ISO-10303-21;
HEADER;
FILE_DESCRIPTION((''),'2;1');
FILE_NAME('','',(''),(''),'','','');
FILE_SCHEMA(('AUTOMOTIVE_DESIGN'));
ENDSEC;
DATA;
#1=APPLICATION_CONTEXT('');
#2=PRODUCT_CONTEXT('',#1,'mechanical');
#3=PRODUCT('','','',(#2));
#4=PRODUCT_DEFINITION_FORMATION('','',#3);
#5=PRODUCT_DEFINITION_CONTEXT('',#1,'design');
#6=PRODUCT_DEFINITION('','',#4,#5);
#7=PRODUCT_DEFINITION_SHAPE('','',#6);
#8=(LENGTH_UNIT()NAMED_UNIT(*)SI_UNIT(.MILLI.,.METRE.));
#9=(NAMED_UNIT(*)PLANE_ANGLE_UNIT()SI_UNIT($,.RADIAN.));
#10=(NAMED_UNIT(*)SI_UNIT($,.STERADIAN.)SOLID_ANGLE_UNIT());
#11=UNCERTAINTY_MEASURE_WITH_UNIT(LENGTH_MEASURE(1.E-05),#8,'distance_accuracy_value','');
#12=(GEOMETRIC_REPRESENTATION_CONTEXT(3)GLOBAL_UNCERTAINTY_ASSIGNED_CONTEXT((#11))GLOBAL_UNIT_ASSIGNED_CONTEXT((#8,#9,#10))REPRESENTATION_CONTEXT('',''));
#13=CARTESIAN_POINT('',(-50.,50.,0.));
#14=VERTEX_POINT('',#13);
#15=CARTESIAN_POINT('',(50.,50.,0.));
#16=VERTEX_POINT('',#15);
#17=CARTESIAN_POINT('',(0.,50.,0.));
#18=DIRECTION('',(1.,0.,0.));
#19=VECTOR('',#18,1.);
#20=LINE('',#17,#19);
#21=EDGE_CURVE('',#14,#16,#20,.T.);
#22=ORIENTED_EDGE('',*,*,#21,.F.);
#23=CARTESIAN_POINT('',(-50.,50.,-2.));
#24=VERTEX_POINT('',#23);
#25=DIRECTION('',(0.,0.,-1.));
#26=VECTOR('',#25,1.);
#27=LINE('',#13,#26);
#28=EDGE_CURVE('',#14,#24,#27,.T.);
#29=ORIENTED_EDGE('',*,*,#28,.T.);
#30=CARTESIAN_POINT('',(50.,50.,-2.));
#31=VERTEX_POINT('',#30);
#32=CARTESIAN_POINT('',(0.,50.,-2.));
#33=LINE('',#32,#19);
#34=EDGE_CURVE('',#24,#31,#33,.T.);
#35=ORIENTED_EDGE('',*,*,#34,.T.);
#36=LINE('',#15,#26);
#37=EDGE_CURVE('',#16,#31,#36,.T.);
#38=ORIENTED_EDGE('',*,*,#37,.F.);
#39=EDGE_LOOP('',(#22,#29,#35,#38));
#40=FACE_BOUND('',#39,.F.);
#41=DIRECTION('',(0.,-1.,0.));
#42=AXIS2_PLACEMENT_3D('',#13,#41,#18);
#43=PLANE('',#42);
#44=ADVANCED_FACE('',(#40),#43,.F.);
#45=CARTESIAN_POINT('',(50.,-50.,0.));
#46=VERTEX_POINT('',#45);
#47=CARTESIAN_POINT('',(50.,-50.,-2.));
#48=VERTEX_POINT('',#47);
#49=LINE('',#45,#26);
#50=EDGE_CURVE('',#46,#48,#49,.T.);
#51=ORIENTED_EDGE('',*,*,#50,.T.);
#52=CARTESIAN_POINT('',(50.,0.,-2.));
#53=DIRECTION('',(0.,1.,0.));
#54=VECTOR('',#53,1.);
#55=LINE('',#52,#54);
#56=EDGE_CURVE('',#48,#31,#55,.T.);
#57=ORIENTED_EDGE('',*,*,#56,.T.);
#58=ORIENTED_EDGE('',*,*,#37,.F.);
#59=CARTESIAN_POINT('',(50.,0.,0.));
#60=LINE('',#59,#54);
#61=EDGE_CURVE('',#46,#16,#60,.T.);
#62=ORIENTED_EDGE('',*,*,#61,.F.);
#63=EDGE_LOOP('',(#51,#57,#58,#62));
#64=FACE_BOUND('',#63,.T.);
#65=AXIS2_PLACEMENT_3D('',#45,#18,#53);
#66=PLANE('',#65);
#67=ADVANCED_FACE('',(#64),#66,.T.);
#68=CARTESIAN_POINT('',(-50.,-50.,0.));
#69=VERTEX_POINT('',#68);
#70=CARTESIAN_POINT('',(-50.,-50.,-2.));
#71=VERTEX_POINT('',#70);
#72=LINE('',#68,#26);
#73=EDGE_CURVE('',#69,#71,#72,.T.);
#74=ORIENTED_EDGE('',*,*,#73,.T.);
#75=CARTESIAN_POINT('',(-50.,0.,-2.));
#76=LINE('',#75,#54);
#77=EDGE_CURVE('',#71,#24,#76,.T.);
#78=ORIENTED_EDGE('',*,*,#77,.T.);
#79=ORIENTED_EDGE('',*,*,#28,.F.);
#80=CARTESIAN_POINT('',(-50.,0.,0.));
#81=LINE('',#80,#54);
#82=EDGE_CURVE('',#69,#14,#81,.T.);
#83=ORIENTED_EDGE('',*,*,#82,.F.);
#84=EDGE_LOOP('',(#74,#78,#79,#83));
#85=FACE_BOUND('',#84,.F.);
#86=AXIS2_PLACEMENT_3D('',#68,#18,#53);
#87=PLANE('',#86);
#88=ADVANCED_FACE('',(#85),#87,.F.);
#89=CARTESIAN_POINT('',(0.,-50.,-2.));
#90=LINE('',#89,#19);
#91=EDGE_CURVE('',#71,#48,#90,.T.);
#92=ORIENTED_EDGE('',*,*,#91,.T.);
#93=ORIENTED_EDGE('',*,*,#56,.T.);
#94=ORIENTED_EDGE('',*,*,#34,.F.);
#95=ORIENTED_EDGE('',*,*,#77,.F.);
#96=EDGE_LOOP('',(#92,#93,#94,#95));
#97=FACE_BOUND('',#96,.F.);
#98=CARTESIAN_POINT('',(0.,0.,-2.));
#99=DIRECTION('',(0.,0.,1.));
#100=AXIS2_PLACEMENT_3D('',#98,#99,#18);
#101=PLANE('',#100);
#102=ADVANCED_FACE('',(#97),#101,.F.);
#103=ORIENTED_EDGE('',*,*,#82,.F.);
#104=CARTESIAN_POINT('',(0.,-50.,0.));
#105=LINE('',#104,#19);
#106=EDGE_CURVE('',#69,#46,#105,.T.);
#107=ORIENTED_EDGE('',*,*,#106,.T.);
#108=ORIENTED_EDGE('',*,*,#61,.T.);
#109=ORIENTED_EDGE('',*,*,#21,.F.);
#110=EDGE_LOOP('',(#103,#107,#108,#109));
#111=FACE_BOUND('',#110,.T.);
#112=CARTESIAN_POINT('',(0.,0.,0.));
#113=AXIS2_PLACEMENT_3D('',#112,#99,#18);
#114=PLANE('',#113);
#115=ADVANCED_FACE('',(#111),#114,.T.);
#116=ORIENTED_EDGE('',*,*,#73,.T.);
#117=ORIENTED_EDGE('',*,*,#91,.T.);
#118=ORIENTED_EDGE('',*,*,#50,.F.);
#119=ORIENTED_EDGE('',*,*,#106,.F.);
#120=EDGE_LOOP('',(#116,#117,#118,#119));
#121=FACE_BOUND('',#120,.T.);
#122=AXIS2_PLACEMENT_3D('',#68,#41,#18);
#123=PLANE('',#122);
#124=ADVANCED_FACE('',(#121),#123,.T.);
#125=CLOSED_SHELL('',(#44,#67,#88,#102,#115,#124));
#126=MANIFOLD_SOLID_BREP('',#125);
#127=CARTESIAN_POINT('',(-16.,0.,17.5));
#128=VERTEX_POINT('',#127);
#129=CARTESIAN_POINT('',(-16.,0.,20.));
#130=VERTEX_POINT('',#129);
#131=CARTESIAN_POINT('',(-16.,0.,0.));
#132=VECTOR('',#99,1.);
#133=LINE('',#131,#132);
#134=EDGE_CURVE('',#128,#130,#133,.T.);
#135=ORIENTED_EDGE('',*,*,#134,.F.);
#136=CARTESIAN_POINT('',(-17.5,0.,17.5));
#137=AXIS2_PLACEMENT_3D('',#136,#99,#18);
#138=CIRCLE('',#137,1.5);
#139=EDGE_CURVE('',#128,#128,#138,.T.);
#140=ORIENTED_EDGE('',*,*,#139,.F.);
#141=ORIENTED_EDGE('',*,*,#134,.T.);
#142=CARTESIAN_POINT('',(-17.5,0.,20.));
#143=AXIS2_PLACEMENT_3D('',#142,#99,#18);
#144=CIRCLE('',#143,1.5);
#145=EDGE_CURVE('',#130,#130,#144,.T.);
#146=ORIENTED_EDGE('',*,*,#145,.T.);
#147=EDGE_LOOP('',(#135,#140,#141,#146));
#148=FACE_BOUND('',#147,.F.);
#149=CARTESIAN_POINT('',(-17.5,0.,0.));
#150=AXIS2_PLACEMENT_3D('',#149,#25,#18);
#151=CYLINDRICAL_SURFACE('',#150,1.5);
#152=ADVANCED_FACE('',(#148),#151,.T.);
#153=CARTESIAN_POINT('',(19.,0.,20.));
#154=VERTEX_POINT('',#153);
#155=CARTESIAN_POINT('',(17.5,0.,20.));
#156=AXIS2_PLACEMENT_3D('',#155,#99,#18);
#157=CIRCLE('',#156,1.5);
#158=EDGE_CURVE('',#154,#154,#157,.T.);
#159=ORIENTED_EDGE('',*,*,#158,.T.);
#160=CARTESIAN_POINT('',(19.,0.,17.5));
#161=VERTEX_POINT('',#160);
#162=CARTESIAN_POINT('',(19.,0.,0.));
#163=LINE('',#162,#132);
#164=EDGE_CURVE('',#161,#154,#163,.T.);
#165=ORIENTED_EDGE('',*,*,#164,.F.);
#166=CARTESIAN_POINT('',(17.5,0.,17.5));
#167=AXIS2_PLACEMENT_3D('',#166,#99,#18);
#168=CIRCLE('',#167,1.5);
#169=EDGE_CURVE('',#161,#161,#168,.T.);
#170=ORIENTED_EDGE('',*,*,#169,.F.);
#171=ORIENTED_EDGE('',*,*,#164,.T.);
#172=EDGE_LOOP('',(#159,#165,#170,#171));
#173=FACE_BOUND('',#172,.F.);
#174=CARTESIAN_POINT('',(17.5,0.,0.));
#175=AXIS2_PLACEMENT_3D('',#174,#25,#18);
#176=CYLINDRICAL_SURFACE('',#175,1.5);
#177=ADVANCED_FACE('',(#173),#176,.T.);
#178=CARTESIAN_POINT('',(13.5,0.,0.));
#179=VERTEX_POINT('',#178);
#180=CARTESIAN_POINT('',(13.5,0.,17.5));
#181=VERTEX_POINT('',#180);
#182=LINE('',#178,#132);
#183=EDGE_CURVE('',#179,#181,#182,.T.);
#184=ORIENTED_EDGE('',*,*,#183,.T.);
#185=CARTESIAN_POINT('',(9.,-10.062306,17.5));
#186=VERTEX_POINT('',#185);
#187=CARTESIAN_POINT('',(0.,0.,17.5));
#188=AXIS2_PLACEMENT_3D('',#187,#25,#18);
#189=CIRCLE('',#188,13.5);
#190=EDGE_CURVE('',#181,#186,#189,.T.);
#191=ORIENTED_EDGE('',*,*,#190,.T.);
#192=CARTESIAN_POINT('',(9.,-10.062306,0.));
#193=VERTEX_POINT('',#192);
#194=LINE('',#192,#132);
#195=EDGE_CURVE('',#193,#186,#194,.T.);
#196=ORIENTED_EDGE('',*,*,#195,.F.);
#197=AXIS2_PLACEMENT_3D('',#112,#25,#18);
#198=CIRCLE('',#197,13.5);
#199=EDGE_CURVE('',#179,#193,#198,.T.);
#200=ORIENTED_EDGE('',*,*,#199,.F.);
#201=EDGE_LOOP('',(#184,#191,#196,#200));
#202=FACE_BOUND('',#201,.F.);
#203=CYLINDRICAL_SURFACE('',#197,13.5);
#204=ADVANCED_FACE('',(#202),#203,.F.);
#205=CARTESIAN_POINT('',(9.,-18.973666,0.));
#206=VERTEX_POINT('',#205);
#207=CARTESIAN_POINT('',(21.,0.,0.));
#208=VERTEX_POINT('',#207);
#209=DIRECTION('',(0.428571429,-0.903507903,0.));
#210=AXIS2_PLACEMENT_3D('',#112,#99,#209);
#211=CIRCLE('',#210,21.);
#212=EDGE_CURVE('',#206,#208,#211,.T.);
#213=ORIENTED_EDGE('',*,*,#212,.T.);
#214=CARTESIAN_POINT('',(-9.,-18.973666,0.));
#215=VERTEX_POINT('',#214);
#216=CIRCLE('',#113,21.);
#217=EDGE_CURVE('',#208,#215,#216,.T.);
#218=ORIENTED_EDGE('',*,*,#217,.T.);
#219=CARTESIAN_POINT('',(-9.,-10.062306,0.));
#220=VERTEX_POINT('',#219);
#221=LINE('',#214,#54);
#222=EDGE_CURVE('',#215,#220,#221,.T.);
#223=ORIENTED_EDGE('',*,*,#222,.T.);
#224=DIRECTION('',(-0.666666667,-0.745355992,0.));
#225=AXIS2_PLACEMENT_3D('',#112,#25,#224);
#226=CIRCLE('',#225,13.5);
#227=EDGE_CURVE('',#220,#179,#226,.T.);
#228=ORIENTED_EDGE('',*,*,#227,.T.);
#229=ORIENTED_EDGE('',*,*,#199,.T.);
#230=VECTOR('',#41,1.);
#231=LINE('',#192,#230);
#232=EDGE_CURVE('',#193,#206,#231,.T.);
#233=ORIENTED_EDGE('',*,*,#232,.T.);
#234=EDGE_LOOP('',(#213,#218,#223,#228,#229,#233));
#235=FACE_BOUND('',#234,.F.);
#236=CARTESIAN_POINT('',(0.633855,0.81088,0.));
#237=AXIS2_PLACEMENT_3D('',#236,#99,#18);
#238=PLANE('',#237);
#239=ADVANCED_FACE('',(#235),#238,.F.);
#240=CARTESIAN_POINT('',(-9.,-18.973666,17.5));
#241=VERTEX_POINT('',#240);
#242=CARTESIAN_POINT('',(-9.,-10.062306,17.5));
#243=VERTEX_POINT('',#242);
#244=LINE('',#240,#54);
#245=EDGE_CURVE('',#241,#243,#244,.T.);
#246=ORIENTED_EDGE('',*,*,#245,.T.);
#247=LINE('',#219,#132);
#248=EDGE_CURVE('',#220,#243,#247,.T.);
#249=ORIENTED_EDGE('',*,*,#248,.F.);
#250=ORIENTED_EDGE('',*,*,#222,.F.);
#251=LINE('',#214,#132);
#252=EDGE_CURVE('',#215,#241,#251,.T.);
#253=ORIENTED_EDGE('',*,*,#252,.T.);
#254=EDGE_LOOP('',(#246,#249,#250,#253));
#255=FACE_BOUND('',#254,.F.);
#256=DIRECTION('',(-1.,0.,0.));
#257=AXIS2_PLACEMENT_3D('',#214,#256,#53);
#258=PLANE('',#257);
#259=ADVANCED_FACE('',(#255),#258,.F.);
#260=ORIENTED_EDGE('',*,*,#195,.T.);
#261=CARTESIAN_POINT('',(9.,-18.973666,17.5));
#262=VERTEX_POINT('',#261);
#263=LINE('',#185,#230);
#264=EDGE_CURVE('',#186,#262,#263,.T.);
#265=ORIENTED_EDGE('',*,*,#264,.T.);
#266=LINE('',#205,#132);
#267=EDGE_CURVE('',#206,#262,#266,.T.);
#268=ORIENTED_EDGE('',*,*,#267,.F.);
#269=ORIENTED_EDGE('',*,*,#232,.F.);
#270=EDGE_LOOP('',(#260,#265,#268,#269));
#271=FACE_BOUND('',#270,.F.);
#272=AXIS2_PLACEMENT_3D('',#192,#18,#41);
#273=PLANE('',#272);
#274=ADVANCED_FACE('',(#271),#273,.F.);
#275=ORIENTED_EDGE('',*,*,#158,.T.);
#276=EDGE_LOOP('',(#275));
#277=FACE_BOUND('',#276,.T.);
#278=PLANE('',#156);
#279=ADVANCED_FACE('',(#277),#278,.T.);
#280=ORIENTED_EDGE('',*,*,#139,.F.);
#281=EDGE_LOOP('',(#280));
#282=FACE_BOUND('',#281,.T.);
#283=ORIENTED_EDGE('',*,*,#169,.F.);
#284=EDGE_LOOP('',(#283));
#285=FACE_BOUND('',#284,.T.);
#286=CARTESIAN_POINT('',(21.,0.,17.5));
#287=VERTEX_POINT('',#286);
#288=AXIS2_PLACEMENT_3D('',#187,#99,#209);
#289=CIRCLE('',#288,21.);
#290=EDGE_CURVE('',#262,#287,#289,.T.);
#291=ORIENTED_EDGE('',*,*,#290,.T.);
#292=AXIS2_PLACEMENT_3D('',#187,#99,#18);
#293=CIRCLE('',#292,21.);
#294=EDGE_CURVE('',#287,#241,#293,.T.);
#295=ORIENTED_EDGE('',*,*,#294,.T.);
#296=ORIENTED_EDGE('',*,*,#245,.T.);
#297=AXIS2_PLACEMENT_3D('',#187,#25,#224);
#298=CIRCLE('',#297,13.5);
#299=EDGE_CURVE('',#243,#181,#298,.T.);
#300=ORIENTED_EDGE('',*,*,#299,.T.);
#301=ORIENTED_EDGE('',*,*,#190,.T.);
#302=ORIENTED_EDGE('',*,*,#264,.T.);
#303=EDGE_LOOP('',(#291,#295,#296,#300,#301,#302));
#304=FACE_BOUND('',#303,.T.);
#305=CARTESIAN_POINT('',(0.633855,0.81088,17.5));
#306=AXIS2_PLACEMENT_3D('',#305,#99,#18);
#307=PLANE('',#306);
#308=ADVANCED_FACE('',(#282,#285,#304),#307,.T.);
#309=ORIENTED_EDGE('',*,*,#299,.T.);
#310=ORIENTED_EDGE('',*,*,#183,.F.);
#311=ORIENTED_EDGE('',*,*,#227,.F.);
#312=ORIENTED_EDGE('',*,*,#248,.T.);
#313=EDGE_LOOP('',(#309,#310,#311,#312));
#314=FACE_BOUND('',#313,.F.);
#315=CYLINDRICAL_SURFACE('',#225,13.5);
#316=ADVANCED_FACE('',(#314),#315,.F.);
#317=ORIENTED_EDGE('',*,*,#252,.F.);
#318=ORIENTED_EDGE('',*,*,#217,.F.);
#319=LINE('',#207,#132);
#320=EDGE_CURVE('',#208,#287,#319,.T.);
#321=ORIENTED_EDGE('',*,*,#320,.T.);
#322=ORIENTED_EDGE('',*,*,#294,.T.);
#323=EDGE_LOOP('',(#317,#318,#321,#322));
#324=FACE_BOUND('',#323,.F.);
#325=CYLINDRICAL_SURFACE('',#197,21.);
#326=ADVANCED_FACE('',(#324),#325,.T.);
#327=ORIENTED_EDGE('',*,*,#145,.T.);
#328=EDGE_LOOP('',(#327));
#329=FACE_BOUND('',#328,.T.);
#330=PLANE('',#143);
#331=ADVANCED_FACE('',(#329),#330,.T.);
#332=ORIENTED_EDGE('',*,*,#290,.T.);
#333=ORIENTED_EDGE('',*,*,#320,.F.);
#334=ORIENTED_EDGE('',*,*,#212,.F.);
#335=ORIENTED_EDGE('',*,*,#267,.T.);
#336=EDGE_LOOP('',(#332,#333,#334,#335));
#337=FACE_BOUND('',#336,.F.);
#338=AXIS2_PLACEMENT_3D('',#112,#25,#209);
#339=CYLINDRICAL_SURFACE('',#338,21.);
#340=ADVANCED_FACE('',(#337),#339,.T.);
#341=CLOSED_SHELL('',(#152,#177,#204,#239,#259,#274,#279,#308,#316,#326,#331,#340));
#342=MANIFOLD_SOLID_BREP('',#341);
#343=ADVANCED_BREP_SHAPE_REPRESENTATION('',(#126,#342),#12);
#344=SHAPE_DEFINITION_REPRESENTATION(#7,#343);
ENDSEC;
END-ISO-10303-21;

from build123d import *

# Parameters (mm, degrees)
F0_R     = 1.5
F1_DEPTH = 17.5
F2_DEPTH = 20
F0_W     = 100
F0_H     = 100
F3_DEPTH = 2


with BuildPart() as f1:
    # F0 (on Top) → F1 (new body)
    with BuildSketch(Plane.XY):
        with BuildLine():
            ThreePointArc((-9, -10.0623058987), (-5.5113519213, 12.3237575439), (13.5, 0))
            ThreePointArc((13.5, 0), (12.3237575439, -5.5113519213), (9, -10.0623058987))
            Line((9, -10.0623058987), (9, -18.973665961))
            ThreePointArc((9, -18.973665961), (17.7482393493, -11.2249721603), (21, 0))
            ThreePointArc((21, 0), (-11.2249721603, 17.7482393493), (-9, -18.973665961))
            Line((-9, -18.973665961), (-9, -10.0623058987))
        make_face()
        with Locations((-17.5, 0)):
            Circle(F0_R, mode=Mode.SUBTRACT)
        with Locations((17.5, 0)):
            Circle(F0_R, mode=Mode.SUBTRACT)
    extrude(amount=F1_DEPTH)

    # F0 (on Top) → F2 (join)
    with BuildSketch(Plane.XY):
        with Locations((-17.5, 0)):
            Circle(F0_R)
        with Locations((17.5, 0)):
            Circle(F0_R)
    extrude(amount=F2_DEPTH)


with BuildPart() as f3:
    # F0 (on Top) → F3 (new body)
    with BuildSketch(Plane.XY):
        Rectangle(F0_W, F0_H)
        with BuildLine():
            Line((-9, -21.471963264), (-9, -18.973665961))
            ThreePointArc((-9, -18.973665961), (-11.2249721603, 17.7482393493), (21, 0))
            ThreePointArc((21, 0), (17.7482393493, -11.2249721603), (9, -18.973665961))
            Line((9, -18.973665961), (9, -21.471963264))
            Line((9, -21.471963264), (-9, -21.471963264))
        make_face(mode=Mode.SUBTRACT)
        with BuildLine():
            ThreePointArc((-9, -10.0623058987), (-5.5113519213, 12.3237575439), (13.5, 0))
            ThreePointArc((13.5, 0), (12.3237575439, -5.5113519213), (9, -10.0623058987))
            Line((9, -10.0623058987), (9, -18.973665961))
            ThreePointArc((9, -18.973665961), (17.7482393493, -11.2249721603), (21, 0))
            ThreePointArc((21, 0), (-11.2249721603, 17.7482393493), (-9, -18.973665961))
            Line((-9, -18.973665961), (-9, -10.0623058987))
        make_face()
        with Locations((-17.5, 0)):
            Circle(F0_R, mode=Mode.SUBTRACT)
        with Locations((17.5, 0)):
            Circle(F0_R, mode=Mode.SUBTRACT)
        with Locations((-17.5, 0)):
            Circle(F0_R)
        with Locations((17.5, 0)):
            Circle(F0_R)
        with BuildLine():
            ThreePointArc((9, -10.0623058987), (0, -13.5), (-9, -10.0623058987))
            Line((-9, -10.0623058987), (-9, -18.973665961))
            ThreePointArc((-9, -18.973665961), (0, -21), (9, -18.973665961))
            Line((9, -18.973665961), (9, -10.0623058987))
        make_face()
        with BuildLine():
            ThreePointArc((9, -18.973665961), (0, -21), (-9, -18.973665961))
            Line((-9, -18.973665961), (-9, -21.471963264))
            Line((-9, -21.471963264), (9, -21.471963264))
            Line((9, -21.471963264), (9, -18.973665961))
        make_face()
        with BuildLine():
            ThreePointArc((9, -10.0623058987), (12.3237575439, -5.5113519213), (13.5, 0))
            ThreePointArc((13.5, 0), (-5.5113519213, 12.3237575439), (-9, -10.0623058987))
            Line((-9, -10.0623058987), (-9, -8.9602405205))
            Line((-9, -8.9602405205), (9, -8.9602405205))
            Line((9, -8.9602405205), (9, -10.0623058987))
        make_face()
        with BuildLine():
            Line((-9, -8.9602405205), (-9, -10.0623058987))
            ThreePointArc((-9, -10.0623058987), (0, -13.5), (9, -10.0623058987))
            Line((9, -10.0623058987), (9, -8.9602405205))
            Line((9, -8.9602405205), (-9, -8.9602405205))
        make_face()
    extrude(amount=-F3_DEPTH)


solid = Compound([f1.part, f3.part])
